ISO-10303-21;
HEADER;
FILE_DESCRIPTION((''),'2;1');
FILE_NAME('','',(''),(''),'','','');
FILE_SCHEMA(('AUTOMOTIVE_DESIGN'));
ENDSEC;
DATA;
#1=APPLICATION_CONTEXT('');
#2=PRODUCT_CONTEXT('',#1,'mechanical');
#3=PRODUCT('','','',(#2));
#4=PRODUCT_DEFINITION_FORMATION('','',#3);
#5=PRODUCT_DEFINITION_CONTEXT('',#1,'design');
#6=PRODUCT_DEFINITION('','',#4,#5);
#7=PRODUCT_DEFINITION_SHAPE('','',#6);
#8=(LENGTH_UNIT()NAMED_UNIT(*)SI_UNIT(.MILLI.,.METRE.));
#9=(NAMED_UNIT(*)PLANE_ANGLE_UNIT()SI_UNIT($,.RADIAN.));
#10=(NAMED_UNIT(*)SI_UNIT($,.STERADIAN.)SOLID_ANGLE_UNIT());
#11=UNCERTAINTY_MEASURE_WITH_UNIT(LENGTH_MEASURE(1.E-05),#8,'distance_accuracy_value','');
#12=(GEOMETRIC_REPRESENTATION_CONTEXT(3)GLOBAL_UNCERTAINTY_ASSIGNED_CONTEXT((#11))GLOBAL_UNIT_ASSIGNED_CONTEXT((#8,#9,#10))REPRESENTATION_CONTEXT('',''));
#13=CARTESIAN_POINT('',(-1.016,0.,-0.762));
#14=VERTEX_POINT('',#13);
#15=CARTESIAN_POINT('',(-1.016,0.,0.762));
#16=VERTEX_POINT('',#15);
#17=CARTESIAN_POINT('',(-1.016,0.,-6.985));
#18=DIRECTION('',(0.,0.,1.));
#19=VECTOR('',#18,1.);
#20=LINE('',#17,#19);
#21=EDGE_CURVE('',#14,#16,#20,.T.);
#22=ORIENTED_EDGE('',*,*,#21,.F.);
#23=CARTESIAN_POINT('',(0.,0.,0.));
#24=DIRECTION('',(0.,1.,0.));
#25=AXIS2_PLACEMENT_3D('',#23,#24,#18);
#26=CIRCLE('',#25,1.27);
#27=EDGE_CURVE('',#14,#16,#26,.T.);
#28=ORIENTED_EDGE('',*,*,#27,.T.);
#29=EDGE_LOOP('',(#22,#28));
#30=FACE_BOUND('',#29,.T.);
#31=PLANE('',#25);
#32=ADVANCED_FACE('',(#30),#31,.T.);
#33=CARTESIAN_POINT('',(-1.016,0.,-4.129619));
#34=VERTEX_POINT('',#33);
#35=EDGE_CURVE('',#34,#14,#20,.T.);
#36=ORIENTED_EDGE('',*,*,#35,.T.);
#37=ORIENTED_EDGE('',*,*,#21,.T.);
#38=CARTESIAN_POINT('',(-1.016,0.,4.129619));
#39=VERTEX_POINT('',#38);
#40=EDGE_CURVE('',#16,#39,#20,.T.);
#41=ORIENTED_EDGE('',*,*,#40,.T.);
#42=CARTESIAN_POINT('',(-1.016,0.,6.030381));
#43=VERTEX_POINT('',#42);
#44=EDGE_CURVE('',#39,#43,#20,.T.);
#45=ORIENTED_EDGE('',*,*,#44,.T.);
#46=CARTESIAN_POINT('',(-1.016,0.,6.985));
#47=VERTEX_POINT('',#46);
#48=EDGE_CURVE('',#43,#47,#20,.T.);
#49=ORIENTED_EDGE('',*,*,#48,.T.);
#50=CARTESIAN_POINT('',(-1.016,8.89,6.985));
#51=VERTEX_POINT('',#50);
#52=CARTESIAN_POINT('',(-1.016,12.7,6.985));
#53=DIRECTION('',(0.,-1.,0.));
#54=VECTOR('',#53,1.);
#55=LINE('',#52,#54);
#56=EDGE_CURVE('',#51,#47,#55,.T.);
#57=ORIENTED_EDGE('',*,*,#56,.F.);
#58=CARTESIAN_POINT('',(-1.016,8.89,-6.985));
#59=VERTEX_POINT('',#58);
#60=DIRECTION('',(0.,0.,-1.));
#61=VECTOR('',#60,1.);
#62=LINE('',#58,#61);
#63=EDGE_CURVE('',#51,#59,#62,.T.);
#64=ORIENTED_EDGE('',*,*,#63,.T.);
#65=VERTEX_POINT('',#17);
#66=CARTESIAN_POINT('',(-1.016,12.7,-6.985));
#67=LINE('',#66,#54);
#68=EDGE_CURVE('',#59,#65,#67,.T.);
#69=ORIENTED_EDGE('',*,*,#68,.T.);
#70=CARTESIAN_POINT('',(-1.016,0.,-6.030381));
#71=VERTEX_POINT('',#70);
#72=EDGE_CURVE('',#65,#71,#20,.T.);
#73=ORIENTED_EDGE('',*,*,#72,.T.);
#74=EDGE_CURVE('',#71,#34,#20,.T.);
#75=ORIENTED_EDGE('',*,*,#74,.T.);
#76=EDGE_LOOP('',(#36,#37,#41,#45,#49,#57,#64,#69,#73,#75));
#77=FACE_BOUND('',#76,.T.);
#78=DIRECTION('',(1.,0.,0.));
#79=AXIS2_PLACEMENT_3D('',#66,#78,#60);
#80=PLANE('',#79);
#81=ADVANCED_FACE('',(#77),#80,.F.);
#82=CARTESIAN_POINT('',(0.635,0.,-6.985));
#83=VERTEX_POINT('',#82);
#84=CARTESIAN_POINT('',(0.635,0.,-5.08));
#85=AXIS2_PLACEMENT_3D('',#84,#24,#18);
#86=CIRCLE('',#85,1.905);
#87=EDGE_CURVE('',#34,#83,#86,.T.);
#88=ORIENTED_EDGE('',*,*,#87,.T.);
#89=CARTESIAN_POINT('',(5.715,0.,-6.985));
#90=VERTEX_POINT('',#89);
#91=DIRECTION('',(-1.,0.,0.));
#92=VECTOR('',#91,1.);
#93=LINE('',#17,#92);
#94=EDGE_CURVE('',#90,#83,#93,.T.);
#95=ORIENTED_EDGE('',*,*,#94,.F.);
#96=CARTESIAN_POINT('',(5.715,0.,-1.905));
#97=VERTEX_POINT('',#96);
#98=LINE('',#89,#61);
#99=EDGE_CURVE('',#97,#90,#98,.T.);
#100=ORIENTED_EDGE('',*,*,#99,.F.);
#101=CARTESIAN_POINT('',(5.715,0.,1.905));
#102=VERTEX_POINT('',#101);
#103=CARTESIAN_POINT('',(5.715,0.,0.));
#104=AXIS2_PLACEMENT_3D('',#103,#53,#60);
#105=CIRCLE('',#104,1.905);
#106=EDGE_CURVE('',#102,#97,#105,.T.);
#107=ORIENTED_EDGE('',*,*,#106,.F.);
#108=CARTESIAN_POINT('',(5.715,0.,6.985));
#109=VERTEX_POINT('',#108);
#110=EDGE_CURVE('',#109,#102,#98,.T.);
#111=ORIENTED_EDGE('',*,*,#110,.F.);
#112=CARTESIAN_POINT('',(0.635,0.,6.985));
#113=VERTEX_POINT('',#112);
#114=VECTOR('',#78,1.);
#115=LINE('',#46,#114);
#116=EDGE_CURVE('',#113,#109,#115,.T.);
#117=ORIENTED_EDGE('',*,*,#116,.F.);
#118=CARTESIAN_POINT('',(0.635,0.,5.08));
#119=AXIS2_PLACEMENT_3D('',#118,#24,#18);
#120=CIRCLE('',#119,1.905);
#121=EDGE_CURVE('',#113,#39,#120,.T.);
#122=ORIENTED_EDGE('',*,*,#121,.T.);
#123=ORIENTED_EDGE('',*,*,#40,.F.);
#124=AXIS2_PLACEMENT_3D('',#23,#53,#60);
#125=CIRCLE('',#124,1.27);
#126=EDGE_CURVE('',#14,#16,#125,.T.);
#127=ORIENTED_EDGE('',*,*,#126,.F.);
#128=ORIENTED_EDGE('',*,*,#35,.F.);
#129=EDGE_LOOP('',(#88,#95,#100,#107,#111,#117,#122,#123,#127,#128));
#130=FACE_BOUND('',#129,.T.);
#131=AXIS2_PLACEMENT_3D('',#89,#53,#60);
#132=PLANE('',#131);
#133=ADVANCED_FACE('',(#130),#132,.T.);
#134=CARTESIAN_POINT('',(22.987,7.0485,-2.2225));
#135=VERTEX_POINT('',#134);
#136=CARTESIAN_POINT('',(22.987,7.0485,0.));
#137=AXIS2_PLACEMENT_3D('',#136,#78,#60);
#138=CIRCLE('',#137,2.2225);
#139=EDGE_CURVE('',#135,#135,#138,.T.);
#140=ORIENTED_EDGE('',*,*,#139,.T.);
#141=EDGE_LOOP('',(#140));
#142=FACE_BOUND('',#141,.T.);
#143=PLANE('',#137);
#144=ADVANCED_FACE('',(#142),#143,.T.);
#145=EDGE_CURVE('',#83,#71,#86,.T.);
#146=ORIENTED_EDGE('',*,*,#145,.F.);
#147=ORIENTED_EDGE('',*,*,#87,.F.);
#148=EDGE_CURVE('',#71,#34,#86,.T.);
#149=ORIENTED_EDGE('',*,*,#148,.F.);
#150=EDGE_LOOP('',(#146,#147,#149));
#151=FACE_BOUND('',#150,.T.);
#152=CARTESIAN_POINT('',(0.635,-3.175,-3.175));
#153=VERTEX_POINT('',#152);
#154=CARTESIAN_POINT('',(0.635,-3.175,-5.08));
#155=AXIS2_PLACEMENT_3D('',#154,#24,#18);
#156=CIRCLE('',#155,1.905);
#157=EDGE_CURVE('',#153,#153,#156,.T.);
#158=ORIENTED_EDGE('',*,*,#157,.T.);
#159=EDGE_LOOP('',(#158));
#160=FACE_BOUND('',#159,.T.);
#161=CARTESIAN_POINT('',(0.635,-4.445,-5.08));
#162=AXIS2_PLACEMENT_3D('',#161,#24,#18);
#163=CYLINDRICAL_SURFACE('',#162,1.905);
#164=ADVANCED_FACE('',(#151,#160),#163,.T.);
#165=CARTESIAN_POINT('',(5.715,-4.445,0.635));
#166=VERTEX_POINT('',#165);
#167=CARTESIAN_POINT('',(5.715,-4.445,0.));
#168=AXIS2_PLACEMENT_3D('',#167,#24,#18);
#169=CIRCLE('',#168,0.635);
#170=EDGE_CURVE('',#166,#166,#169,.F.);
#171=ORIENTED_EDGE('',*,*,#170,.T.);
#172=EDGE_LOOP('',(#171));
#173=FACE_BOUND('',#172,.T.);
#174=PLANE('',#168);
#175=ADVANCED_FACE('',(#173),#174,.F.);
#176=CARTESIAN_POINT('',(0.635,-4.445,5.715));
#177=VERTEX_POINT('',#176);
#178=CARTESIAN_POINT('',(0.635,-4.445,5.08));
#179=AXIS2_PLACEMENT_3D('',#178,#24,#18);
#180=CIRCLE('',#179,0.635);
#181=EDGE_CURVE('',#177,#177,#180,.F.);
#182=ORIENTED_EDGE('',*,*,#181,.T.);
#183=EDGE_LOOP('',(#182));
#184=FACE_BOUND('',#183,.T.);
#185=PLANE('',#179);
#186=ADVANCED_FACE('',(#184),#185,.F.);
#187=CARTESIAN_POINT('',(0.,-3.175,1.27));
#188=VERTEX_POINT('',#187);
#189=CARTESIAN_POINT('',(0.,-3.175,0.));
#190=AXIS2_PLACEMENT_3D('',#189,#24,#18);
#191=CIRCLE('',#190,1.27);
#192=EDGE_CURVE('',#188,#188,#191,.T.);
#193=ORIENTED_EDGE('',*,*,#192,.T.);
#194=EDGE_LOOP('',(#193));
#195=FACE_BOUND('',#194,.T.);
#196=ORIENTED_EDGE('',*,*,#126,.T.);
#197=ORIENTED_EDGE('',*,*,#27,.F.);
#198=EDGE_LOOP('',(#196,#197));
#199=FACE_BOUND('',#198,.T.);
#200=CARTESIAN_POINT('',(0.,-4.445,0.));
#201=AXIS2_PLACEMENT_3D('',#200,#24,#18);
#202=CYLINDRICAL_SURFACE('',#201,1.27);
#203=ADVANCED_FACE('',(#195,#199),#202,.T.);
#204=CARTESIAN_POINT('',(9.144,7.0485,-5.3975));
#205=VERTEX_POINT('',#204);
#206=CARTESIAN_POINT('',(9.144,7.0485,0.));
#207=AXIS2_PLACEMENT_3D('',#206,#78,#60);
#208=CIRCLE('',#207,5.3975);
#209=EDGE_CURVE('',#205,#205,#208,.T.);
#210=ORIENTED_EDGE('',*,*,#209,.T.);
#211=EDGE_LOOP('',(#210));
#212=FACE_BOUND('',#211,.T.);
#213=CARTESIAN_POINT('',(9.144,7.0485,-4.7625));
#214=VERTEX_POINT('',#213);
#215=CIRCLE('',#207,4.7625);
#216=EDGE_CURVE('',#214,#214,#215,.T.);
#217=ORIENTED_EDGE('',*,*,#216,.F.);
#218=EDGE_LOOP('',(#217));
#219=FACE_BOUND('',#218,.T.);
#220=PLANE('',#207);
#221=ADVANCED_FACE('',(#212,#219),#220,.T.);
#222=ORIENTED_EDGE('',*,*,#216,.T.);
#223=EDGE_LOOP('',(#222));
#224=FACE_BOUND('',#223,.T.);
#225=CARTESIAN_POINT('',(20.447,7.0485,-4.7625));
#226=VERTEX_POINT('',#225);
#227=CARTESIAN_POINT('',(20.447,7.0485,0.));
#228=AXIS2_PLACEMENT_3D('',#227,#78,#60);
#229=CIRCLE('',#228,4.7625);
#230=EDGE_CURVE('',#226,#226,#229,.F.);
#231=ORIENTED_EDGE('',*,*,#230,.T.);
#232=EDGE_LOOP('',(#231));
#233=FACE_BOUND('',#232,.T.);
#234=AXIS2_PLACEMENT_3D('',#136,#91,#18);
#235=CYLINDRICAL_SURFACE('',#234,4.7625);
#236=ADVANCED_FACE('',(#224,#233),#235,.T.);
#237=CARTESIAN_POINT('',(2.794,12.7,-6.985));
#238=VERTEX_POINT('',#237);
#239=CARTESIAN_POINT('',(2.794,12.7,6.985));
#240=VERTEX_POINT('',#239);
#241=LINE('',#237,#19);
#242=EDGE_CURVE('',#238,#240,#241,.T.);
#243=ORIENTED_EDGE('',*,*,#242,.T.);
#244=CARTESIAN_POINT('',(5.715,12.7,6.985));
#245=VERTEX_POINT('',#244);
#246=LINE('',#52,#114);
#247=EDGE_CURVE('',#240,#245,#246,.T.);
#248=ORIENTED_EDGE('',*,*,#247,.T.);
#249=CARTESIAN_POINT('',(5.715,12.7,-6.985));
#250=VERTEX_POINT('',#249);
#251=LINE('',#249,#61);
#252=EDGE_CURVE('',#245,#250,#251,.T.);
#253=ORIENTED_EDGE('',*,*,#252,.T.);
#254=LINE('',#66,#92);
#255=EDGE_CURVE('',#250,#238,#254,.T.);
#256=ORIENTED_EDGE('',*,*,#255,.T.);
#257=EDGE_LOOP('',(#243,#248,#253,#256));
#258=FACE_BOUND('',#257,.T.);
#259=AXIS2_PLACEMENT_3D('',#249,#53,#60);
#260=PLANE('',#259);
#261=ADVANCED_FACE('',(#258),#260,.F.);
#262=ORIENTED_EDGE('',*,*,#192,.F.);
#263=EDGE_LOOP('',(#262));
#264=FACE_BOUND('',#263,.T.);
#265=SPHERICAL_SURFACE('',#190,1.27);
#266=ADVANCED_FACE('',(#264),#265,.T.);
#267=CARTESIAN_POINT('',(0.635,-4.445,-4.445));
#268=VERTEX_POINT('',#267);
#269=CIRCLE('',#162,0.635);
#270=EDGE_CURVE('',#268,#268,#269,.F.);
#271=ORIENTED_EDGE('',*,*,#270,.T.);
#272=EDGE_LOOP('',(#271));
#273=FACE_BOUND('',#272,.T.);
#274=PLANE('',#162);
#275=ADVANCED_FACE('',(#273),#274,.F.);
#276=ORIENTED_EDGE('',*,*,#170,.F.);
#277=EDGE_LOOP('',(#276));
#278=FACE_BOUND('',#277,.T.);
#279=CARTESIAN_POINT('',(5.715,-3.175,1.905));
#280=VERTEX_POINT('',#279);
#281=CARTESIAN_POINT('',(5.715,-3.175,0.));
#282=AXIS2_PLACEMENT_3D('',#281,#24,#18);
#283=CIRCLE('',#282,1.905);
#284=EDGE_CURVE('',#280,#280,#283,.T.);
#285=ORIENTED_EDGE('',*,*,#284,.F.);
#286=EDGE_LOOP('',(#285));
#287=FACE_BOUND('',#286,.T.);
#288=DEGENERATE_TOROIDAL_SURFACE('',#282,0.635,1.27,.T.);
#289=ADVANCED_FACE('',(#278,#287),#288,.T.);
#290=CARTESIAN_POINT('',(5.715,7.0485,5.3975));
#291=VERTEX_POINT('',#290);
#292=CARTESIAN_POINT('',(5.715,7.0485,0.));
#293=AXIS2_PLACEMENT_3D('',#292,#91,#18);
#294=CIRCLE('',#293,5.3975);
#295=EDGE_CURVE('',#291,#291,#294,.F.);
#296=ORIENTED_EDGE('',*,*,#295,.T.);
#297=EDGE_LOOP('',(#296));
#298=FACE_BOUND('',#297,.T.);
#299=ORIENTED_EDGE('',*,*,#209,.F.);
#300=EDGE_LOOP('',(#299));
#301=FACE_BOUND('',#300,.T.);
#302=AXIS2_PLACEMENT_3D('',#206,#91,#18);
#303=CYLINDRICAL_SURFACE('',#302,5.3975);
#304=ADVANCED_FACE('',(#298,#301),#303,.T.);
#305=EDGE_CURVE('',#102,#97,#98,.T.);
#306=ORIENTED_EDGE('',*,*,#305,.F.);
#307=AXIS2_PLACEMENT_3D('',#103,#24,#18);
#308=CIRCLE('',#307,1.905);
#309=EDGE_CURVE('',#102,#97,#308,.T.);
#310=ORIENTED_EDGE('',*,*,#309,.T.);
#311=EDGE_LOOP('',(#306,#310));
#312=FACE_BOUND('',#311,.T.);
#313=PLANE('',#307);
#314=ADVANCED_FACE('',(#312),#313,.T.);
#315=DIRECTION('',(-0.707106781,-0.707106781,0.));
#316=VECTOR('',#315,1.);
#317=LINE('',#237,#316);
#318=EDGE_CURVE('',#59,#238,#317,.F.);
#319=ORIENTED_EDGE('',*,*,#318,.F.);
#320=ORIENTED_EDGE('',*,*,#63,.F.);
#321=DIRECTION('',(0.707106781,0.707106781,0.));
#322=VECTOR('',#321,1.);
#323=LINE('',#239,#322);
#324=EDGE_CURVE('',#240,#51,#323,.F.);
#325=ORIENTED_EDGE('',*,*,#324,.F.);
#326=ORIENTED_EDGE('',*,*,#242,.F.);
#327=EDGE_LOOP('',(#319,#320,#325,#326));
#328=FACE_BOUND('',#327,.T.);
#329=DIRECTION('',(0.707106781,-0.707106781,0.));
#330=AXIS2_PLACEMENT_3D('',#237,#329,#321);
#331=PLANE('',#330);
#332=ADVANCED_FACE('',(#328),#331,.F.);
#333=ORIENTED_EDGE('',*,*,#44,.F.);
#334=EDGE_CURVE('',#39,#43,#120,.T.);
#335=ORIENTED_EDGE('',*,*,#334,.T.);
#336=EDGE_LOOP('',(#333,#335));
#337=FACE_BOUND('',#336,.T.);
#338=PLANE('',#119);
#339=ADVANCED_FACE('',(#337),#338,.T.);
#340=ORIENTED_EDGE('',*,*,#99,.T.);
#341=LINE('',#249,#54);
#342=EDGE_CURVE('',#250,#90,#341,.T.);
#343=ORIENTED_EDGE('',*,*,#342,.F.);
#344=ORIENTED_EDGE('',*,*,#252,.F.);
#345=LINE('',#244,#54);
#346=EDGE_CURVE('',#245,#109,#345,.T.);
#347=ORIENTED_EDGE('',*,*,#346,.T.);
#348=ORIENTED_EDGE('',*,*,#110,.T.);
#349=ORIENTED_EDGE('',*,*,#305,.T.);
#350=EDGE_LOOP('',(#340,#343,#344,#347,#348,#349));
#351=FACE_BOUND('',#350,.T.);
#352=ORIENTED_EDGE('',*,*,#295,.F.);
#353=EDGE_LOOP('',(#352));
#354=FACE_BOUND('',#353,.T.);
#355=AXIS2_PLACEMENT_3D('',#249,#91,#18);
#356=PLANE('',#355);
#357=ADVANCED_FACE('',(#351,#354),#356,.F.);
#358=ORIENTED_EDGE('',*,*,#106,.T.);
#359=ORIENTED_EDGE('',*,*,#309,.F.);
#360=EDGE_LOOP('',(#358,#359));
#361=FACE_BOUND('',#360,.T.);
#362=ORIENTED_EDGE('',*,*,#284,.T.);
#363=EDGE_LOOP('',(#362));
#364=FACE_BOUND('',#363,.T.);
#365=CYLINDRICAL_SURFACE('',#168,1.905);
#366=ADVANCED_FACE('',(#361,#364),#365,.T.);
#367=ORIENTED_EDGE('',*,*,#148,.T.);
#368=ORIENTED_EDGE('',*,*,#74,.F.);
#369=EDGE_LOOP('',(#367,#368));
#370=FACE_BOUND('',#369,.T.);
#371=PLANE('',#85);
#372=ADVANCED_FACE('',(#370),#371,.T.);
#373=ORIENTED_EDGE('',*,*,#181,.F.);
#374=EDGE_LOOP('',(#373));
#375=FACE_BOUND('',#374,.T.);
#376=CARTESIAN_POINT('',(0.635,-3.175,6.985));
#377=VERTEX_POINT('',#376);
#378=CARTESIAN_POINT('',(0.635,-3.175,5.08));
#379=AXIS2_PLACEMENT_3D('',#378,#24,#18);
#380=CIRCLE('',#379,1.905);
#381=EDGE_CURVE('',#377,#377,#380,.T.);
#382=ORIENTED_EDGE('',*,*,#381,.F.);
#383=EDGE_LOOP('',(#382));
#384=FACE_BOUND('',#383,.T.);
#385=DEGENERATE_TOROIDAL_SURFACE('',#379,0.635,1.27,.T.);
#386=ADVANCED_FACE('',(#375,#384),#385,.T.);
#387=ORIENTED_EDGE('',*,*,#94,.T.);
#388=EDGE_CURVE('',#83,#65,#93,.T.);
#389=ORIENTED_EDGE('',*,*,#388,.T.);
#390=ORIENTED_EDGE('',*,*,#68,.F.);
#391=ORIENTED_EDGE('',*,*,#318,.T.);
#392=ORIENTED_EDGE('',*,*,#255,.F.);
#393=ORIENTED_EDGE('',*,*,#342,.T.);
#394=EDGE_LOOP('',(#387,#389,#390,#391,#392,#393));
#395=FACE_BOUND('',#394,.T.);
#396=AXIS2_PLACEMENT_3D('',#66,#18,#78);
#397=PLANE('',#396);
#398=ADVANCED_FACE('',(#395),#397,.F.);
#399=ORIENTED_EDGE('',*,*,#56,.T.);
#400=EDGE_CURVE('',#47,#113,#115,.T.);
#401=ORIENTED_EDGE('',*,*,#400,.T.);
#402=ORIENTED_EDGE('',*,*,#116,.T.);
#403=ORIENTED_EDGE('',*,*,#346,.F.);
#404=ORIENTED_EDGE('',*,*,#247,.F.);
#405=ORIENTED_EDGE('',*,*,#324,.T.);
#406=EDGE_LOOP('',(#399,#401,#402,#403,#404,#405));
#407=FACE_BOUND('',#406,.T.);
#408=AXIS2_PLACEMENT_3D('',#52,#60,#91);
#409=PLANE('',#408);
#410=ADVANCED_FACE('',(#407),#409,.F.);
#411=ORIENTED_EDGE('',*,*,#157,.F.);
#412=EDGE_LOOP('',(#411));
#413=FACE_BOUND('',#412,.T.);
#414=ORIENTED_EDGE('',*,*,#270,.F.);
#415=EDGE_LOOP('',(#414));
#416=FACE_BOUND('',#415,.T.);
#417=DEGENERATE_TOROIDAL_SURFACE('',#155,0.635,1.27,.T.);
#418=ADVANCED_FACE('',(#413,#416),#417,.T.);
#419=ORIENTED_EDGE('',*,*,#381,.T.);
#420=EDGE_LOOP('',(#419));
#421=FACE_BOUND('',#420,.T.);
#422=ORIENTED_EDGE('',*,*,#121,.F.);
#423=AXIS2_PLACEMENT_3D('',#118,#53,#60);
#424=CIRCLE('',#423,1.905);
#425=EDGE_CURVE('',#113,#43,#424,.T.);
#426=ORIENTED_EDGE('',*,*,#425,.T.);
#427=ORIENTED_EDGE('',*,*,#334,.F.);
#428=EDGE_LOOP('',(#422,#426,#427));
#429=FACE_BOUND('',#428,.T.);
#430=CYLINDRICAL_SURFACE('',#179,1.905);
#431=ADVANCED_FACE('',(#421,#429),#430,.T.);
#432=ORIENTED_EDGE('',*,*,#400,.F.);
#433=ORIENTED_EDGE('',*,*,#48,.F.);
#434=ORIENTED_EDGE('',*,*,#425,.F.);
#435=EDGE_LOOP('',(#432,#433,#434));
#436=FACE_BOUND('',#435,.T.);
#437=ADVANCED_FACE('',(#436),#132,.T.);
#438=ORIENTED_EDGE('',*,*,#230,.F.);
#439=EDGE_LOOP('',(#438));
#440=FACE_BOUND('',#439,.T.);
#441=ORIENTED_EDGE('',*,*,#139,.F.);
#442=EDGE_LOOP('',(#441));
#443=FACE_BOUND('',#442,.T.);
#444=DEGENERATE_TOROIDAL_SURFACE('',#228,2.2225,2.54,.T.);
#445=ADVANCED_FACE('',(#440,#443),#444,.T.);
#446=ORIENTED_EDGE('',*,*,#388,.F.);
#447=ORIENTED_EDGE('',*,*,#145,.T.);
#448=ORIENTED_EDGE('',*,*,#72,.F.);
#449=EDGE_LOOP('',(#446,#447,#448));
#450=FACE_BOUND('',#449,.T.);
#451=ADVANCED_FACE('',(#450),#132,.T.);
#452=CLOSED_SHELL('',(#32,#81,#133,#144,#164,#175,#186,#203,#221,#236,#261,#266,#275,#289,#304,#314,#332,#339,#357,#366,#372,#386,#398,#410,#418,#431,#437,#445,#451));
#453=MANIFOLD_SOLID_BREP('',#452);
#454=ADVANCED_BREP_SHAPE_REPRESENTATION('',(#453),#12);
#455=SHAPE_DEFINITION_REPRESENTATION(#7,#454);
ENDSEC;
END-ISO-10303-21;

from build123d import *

# Parameters (mm, degrees)
SKETCH1_R             = 1.905
BOSS_EXTRUDE1_DEPTH   = 4.445
BOSS_EXTRUDE1_2_DEPTH = 4.445
BOSS_EXTRUDE1_3_DEPTH = 4.445
SKETCH1_R_2           = 1.27
BOSS_EXTRUDE1_4_DEPTH = 4.445
SKETCH2_W             = 6.731
SKETCH2_H             = 13.97
BOSS_EXTRUDE2_DEPTH   = 12.7
CHAMFER1_SIZE         = 3.81
SKETCH3_R             = 5.3975
BOSS_EXTRUDE3_DEPTH   = 3.429
SKETCH4_R             = 4.7625
BOSS_EXTRUDE4_DEPTH   = 13.843
FILLET1_R             = 2.54
FILLET2_R             = 1.27


with BuildPart() as part:
    # Sketch1 → Boss-Extrude1 (new body)
    with BuildSketch(Plane(origin=(0, 0, 0), x_dir=(1, 0, 0), z_dir=(0, 1, 0))):
        with Locations((0.635, 5.08)):
            Circle(SKETCH1_R)
    extrude(amount=-BOSS_EXTRUDE1_DEPTH)



with BuildPart() as body_2:
    # Sketch1 → Boss-Extrude1 2 (new body)
    with BuildSketch(Plane(origin=(0, 0, 0), x_dir=(1, 0, 0), z_dir=(0, 1, 0))):
        with Locations((0.635, -5.08)):
            Circle(SKETCH1_R)
    extrude(amount=-BOSS_EXTRUDE1_2_DEPTH)


with BuildPart() as body_3:
    # Sketch1 → Boss-Extrude1 3 (new body)
    with BuildSketch(Plane(origin=(0, 0, 0), x_dir=(1, 0, 0), z_dir=(0, 1, 0))):
        with Locations((5.715, 0)):
            Circle(SKETCH1_R)
    extrude(amount=-BOSS_EXTRUDE1_3_DEPTH)


with BuildPart() as body_4:
    # Sketch1 → Boss-Extrude1 4 (new body)
    with BuildSketch(Plane(origin=(0, 0, 0), x_dir=(1, 0, 0), z_dir=(0, 1, 0))):
        Circle(SKETCH1_R_2)
    extrude(amount=-BOSS_EXTRUDE1_4_DEPTH)


with BuildPart() as part_1:
    add(part.part)

    add(body_2.part)  # Boss-Extrude2 merges body 2

    add(body_3.part)  # Boss-Extrude2 merges body 3

    add(body_4.part)  # Boss-Extrude2 merges body 4
    # Sketch2 → Boss-Extrude2 (add)
    with BuildSketch(Plane(origin=(0, 0, 0), x_dir=(-1, 0, 0), z_dir=(0, 1, 0))):
        with Locations((-2.3495, 0)):
            Rectangle(SKETCH2_W, SKETCH2_H)
    extrude(amount=BOSS_EXTRUDE2_DEPTH)

    # Chamfer1
    chamfer1_edges = [part_1.edges().sort_by_distance(p)[0] for p in [
        (-1.016, 12.7, 0),
    ]]
    chamfer(chamfer1_edges, length=CHAMFER1_SIZE)

    # Sketch3 → Boss-Extrude3 (add)
    with BuildSketch(Plane(origin=(5.715, 0, 0), x_dir=(0, 0, -1), z_dir=(1, 0, 0))):
        with Locations((0, 7.0485)):
            Circle(SKETCH3_R)
    extrude(amount=BOSS_EXTRUDE3_DEPTH)

    # Sketch4 → Boss-Extrude4 (add)
    with BuildSketch(Plane(origin=(9.144, 0, 0), x_dir=(0, 0, -1), z_dir=(1, 0, 0))):
        with Locations((0, 7.0485)):
            Circle(SKETCH4_R)
    extrude(amount=BOSS_EXTRUDE4_DEPTH)

    # Fillet1
    fillet1_edges = [part_1.edges().sort_by_distance(p)[0] for p in [
        (22.987, 7.0485, 4.7625),
    ]]
    fillet(fillet1_edges, radius=FILLET1_R)

    # Fillet2
    fillet2_edges = [part_1.edges().sort_by_distance(p)[0] for p in [
        (-1.27, -4.445, 5.08),
        (3.81, -4.445, 0),
        (-1.27, -4.445, 0),
        (-1.27, -4.445, -5.08),
    ]]
    fillet(fillet2_edges, radius=FILLET2_R)


solid = part_1.part
